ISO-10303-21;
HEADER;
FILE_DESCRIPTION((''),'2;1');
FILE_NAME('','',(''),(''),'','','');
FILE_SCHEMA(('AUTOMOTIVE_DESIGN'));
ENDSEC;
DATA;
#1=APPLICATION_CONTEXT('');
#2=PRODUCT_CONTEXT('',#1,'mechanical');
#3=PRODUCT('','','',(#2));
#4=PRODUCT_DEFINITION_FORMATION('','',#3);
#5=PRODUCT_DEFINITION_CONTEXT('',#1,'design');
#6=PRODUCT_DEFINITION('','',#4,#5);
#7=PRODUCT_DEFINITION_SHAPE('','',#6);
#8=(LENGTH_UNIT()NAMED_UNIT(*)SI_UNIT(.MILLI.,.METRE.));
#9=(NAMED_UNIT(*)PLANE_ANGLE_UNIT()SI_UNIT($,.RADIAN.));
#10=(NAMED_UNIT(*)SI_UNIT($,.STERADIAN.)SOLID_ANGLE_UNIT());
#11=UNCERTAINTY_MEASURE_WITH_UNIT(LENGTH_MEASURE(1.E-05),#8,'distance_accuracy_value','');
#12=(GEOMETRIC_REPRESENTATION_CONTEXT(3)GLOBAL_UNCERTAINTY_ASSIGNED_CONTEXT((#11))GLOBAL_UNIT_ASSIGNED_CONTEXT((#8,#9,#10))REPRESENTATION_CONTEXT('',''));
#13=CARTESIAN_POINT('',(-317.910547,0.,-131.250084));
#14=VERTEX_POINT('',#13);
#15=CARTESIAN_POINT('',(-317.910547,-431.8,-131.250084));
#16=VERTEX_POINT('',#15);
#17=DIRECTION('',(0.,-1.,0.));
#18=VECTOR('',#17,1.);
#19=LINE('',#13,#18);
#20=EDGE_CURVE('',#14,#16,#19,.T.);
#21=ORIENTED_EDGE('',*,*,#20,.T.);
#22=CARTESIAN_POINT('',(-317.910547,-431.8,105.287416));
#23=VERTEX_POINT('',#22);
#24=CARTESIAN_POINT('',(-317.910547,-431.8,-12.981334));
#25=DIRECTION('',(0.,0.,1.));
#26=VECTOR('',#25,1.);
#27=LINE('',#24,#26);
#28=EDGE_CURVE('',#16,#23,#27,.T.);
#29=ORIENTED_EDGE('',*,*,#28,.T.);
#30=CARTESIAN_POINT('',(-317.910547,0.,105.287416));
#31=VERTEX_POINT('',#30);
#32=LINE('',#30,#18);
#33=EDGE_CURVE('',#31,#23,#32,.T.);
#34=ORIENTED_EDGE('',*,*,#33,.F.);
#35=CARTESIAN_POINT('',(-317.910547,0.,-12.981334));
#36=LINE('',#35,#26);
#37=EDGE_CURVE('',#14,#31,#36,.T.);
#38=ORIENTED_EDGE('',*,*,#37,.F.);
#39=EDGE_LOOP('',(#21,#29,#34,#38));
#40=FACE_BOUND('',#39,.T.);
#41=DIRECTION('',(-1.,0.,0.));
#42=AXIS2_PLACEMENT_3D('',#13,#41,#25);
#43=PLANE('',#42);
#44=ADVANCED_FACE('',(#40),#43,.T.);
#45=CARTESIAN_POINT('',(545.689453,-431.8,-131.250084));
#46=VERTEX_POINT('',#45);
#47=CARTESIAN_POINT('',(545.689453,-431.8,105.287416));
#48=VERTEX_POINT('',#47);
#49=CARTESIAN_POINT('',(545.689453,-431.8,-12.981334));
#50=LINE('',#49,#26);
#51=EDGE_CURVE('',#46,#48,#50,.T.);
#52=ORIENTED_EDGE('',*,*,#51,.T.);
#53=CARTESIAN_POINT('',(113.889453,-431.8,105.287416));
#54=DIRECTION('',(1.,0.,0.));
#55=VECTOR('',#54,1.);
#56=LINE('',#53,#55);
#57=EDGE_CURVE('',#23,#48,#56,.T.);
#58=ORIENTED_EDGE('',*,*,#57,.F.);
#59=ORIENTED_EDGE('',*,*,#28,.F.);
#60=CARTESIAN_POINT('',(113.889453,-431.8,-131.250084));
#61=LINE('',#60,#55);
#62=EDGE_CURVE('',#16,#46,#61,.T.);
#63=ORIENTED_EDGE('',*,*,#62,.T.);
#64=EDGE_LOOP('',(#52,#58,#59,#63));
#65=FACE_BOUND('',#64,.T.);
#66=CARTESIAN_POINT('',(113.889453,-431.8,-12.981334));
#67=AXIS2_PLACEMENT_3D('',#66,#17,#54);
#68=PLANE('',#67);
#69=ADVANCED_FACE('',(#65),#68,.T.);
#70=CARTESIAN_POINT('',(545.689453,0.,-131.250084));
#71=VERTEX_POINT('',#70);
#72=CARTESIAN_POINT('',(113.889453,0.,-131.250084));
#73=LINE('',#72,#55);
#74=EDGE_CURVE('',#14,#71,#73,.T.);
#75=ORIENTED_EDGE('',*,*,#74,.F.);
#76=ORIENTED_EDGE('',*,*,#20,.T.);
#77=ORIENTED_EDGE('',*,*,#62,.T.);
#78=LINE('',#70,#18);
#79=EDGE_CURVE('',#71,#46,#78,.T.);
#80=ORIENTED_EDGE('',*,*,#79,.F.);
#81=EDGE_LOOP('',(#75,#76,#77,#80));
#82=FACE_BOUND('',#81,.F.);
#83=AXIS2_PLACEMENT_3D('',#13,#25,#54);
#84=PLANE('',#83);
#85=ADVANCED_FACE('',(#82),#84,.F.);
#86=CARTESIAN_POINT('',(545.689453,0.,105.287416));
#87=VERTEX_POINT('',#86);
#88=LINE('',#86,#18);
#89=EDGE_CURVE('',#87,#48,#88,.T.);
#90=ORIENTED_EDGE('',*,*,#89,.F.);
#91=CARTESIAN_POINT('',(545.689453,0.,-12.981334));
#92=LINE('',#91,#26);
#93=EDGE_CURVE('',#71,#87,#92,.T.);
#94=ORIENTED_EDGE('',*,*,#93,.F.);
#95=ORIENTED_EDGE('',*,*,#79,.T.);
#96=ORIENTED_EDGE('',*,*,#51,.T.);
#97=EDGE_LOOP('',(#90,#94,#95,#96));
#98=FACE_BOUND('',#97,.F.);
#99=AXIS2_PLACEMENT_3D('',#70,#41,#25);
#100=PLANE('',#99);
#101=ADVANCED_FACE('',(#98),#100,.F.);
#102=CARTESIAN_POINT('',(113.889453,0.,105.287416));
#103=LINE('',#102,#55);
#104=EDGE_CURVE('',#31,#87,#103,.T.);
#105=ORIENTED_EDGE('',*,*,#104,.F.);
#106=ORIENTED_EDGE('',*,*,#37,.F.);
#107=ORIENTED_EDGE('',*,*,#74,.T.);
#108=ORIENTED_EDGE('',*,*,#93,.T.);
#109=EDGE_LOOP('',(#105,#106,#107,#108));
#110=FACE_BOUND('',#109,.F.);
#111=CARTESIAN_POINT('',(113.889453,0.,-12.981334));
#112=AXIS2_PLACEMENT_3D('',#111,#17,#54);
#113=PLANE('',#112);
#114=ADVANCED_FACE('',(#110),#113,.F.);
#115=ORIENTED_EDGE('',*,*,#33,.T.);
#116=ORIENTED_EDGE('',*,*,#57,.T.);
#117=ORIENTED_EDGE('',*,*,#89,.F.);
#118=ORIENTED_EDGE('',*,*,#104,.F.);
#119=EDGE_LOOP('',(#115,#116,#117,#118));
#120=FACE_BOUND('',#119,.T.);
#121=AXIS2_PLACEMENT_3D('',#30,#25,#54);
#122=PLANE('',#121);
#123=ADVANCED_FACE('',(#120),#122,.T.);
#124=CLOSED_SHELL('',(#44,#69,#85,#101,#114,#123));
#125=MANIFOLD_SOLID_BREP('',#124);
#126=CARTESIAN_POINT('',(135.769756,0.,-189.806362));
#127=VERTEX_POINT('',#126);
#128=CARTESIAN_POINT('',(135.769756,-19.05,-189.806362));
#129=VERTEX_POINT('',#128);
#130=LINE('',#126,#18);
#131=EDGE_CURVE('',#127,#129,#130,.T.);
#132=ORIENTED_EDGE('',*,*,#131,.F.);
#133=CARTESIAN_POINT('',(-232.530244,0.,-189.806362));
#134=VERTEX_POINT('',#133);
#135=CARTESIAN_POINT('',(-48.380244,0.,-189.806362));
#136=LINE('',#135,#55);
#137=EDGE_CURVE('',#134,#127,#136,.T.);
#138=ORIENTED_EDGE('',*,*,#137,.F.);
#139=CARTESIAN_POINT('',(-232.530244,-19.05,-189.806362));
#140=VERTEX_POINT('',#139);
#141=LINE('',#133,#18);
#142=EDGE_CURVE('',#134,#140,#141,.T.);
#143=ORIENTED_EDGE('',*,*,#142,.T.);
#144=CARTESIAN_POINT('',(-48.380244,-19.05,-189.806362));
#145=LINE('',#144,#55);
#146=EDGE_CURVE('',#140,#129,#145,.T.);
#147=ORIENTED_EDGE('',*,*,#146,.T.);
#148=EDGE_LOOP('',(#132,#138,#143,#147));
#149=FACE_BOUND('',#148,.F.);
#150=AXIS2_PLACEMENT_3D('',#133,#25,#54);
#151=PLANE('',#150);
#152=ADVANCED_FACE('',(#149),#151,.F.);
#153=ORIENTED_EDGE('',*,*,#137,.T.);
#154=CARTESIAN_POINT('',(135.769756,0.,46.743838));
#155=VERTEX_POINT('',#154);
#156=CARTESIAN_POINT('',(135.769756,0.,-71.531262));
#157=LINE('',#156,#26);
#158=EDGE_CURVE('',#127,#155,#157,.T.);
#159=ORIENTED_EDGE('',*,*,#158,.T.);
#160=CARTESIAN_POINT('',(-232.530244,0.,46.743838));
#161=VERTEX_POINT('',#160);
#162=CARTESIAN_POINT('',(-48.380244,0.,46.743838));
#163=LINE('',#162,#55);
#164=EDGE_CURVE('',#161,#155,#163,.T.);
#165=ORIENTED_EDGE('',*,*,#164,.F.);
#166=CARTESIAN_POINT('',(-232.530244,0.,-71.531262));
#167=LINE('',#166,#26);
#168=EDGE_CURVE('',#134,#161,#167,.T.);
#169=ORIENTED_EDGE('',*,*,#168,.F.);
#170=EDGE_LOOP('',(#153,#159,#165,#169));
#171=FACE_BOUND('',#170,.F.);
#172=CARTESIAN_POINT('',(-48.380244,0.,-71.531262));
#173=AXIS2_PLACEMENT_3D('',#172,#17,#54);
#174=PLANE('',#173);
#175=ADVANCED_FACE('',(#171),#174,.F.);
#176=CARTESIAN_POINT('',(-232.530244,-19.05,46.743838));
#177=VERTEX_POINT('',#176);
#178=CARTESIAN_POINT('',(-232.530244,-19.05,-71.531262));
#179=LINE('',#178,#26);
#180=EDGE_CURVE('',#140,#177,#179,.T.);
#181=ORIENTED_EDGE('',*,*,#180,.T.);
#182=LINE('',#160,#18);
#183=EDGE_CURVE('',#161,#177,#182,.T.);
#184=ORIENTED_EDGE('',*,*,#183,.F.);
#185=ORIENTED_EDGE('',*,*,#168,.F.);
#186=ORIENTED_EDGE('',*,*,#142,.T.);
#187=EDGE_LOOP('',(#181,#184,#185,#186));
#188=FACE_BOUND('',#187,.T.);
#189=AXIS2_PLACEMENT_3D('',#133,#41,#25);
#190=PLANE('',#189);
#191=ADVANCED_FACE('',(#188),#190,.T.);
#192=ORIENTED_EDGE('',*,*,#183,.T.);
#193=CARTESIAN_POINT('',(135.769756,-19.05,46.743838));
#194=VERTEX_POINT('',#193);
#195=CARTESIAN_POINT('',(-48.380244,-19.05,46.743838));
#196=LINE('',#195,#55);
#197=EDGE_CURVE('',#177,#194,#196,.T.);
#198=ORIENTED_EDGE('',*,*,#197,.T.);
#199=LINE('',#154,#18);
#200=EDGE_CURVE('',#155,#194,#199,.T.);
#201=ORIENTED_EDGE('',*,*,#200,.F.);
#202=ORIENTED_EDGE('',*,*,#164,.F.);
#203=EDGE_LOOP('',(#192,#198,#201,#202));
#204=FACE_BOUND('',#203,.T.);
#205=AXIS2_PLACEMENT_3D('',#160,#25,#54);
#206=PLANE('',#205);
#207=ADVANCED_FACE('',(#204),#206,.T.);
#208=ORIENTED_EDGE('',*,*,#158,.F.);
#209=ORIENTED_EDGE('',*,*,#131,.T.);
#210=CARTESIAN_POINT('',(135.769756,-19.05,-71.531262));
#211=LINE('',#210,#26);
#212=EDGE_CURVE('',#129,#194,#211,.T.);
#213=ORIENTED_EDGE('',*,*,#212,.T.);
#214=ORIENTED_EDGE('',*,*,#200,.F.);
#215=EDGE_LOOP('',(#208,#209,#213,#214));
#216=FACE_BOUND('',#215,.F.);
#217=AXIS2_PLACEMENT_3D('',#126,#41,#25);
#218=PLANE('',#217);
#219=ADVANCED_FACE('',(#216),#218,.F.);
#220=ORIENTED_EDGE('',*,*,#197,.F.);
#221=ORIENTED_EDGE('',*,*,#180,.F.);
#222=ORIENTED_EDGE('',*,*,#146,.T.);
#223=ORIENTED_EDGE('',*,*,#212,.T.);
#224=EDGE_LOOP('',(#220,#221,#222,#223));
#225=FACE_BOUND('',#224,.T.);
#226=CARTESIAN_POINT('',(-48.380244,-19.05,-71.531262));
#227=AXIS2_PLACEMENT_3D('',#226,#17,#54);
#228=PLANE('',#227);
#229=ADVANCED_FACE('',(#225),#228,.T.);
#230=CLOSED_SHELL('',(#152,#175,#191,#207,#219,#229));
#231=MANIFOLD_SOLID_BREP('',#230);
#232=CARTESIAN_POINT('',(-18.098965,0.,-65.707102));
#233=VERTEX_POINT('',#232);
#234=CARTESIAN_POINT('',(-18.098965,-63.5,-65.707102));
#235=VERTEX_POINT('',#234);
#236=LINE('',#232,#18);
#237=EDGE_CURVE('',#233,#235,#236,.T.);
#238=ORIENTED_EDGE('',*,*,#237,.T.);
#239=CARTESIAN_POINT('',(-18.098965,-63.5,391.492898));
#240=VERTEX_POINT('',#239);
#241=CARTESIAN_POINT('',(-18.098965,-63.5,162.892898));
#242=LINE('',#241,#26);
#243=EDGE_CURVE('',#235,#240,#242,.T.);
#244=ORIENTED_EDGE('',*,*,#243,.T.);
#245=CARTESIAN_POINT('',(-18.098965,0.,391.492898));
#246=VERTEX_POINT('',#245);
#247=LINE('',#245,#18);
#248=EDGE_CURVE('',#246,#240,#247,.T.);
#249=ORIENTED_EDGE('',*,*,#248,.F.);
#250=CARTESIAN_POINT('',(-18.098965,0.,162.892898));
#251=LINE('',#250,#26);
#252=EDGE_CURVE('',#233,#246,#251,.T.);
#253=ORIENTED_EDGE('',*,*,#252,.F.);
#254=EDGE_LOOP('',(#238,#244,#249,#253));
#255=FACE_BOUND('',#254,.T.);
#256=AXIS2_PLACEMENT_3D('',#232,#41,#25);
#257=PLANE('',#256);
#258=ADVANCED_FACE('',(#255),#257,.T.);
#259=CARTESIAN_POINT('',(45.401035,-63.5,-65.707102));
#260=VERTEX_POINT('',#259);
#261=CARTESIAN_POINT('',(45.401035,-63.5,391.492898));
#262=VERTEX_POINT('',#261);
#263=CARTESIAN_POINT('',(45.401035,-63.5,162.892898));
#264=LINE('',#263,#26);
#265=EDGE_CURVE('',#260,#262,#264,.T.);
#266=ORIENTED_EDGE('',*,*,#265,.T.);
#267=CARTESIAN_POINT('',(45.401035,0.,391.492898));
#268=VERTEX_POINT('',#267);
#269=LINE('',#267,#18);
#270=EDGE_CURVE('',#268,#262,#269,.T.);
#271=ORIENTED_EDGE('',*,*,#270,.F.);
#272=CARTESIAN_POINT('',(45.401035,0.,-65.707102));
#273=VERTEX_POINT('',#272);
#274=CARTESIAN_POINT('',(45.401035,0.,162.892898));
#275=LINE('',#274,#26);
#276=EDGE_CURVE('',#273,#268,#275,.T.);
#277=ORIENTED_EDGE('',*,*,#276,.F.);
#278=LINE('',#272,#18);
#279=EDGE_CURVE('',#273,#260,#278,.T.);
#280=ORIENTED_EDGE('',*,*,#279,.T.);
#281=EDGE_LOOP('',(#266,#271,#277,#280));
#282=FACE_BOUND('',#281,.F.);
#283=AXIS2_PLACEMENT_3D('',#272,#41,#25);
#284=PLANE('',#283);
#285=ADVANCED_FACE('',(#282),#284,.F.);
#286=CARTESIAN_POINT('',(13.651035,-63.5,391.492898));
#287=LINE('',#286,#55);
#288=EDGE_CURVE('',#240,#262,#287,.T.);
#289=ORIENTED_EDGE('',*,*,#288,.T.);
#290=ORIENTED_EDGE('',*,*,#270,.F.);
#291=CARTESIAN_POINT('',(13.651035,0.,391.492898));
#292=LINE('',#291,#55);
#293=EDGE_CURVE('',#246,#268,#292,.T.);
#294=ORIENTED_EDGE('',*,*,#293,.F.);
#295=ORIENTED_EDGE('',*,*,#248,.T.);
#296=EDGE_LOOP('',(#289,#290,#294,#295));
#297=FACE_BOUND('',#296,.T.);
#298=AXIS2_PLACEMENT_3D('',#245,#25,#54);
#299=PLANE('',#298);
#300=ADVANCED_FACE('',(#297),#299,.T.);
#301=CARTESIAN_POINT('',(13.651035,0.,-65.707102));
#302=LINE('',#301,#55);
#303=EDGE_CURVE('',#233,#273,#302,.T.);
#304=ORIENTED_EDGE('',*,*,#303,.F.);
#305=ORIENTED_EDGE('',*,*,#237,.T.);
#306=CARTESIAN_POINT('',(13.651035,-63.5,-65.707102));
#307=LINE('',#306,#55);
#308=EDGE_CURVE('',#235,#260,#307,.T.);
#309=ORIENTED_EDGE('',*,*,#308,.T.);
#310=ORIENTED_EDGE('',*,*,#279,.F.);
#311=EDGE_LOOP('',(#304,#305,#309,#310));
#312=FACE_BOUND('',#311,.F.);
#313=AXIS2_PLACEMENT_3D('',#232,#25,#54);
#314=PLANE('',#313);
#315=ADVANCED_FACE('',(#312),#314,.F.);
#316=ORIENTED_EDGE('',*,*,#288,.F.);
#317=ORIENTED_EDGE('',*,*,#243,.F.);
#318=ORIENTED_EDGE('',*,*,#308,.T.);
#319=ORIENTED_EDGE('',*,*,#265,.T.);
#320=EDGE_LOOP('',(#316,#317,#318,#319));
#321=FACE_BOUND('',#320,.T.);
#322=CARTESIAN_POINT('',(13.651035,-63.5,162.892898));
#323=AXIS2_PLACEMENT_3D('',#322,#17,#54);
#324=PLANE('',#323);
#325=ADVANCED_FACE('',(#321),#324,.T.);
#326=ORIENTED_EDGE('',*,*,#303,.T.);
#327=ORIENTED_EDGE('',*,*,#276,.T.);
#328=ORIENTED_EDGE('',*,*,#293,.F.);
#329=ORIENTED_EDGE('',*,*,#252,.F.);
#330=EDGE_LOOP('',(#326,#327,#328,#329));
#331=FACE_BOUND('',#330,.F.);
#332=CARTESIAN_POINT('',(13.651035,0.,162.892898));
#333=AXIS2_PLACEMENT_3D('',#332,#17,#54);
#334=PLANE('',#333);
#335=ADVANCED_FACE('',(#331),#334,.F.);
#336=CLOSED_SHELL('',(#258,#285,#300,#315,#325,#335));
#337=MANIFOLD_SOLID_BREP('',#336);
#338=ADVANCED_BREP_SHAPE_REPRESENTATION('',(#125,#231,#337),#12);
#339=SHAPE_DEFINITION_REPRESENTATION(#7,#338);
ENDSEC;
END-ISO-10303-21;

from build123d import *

# Parameters (mm, degrees)
F0_W     = 63.5
F0_H     = 457.2
F1_DEPTH = 63.5
F2_W     = 863.6
F2_H     = 236.5375
F3_DEPTH = 431.8
F4_W     = 368.3
F4_H     = 236.5502
F5_DEPTH = 19.05


with BuildPart() as f1:
    # F0 (on Front) → F1 (new body)
    with BuildSketch(Plane.XZ):
        with Locations((13.651035, 162.892898)):
            Rectangle(F0_W, F0_H)
    extrude(amount=F1_DEPTH)


with BuildPart() as f3:
    # F2 (on Front) → F3 (new body)
    with BuildSketch(Plane.XZ):
        with Locations((113.889453, -12.981334)):
            Rectangle(F2_W, F2_H)
    extrude(amount=F3_DEPTH)


with BuildPart() as f5:
    # F4 (on face) → F5 (new body)
    with BuildSketch(Plane.XZ):
        with Locations((-48.380244, -71.531262)):
            Rectangle(F4_W, F4_H)
    extrude(amount=F5_DEPTH)


solid = Compound([f1.part, f3.part, f5.part])
